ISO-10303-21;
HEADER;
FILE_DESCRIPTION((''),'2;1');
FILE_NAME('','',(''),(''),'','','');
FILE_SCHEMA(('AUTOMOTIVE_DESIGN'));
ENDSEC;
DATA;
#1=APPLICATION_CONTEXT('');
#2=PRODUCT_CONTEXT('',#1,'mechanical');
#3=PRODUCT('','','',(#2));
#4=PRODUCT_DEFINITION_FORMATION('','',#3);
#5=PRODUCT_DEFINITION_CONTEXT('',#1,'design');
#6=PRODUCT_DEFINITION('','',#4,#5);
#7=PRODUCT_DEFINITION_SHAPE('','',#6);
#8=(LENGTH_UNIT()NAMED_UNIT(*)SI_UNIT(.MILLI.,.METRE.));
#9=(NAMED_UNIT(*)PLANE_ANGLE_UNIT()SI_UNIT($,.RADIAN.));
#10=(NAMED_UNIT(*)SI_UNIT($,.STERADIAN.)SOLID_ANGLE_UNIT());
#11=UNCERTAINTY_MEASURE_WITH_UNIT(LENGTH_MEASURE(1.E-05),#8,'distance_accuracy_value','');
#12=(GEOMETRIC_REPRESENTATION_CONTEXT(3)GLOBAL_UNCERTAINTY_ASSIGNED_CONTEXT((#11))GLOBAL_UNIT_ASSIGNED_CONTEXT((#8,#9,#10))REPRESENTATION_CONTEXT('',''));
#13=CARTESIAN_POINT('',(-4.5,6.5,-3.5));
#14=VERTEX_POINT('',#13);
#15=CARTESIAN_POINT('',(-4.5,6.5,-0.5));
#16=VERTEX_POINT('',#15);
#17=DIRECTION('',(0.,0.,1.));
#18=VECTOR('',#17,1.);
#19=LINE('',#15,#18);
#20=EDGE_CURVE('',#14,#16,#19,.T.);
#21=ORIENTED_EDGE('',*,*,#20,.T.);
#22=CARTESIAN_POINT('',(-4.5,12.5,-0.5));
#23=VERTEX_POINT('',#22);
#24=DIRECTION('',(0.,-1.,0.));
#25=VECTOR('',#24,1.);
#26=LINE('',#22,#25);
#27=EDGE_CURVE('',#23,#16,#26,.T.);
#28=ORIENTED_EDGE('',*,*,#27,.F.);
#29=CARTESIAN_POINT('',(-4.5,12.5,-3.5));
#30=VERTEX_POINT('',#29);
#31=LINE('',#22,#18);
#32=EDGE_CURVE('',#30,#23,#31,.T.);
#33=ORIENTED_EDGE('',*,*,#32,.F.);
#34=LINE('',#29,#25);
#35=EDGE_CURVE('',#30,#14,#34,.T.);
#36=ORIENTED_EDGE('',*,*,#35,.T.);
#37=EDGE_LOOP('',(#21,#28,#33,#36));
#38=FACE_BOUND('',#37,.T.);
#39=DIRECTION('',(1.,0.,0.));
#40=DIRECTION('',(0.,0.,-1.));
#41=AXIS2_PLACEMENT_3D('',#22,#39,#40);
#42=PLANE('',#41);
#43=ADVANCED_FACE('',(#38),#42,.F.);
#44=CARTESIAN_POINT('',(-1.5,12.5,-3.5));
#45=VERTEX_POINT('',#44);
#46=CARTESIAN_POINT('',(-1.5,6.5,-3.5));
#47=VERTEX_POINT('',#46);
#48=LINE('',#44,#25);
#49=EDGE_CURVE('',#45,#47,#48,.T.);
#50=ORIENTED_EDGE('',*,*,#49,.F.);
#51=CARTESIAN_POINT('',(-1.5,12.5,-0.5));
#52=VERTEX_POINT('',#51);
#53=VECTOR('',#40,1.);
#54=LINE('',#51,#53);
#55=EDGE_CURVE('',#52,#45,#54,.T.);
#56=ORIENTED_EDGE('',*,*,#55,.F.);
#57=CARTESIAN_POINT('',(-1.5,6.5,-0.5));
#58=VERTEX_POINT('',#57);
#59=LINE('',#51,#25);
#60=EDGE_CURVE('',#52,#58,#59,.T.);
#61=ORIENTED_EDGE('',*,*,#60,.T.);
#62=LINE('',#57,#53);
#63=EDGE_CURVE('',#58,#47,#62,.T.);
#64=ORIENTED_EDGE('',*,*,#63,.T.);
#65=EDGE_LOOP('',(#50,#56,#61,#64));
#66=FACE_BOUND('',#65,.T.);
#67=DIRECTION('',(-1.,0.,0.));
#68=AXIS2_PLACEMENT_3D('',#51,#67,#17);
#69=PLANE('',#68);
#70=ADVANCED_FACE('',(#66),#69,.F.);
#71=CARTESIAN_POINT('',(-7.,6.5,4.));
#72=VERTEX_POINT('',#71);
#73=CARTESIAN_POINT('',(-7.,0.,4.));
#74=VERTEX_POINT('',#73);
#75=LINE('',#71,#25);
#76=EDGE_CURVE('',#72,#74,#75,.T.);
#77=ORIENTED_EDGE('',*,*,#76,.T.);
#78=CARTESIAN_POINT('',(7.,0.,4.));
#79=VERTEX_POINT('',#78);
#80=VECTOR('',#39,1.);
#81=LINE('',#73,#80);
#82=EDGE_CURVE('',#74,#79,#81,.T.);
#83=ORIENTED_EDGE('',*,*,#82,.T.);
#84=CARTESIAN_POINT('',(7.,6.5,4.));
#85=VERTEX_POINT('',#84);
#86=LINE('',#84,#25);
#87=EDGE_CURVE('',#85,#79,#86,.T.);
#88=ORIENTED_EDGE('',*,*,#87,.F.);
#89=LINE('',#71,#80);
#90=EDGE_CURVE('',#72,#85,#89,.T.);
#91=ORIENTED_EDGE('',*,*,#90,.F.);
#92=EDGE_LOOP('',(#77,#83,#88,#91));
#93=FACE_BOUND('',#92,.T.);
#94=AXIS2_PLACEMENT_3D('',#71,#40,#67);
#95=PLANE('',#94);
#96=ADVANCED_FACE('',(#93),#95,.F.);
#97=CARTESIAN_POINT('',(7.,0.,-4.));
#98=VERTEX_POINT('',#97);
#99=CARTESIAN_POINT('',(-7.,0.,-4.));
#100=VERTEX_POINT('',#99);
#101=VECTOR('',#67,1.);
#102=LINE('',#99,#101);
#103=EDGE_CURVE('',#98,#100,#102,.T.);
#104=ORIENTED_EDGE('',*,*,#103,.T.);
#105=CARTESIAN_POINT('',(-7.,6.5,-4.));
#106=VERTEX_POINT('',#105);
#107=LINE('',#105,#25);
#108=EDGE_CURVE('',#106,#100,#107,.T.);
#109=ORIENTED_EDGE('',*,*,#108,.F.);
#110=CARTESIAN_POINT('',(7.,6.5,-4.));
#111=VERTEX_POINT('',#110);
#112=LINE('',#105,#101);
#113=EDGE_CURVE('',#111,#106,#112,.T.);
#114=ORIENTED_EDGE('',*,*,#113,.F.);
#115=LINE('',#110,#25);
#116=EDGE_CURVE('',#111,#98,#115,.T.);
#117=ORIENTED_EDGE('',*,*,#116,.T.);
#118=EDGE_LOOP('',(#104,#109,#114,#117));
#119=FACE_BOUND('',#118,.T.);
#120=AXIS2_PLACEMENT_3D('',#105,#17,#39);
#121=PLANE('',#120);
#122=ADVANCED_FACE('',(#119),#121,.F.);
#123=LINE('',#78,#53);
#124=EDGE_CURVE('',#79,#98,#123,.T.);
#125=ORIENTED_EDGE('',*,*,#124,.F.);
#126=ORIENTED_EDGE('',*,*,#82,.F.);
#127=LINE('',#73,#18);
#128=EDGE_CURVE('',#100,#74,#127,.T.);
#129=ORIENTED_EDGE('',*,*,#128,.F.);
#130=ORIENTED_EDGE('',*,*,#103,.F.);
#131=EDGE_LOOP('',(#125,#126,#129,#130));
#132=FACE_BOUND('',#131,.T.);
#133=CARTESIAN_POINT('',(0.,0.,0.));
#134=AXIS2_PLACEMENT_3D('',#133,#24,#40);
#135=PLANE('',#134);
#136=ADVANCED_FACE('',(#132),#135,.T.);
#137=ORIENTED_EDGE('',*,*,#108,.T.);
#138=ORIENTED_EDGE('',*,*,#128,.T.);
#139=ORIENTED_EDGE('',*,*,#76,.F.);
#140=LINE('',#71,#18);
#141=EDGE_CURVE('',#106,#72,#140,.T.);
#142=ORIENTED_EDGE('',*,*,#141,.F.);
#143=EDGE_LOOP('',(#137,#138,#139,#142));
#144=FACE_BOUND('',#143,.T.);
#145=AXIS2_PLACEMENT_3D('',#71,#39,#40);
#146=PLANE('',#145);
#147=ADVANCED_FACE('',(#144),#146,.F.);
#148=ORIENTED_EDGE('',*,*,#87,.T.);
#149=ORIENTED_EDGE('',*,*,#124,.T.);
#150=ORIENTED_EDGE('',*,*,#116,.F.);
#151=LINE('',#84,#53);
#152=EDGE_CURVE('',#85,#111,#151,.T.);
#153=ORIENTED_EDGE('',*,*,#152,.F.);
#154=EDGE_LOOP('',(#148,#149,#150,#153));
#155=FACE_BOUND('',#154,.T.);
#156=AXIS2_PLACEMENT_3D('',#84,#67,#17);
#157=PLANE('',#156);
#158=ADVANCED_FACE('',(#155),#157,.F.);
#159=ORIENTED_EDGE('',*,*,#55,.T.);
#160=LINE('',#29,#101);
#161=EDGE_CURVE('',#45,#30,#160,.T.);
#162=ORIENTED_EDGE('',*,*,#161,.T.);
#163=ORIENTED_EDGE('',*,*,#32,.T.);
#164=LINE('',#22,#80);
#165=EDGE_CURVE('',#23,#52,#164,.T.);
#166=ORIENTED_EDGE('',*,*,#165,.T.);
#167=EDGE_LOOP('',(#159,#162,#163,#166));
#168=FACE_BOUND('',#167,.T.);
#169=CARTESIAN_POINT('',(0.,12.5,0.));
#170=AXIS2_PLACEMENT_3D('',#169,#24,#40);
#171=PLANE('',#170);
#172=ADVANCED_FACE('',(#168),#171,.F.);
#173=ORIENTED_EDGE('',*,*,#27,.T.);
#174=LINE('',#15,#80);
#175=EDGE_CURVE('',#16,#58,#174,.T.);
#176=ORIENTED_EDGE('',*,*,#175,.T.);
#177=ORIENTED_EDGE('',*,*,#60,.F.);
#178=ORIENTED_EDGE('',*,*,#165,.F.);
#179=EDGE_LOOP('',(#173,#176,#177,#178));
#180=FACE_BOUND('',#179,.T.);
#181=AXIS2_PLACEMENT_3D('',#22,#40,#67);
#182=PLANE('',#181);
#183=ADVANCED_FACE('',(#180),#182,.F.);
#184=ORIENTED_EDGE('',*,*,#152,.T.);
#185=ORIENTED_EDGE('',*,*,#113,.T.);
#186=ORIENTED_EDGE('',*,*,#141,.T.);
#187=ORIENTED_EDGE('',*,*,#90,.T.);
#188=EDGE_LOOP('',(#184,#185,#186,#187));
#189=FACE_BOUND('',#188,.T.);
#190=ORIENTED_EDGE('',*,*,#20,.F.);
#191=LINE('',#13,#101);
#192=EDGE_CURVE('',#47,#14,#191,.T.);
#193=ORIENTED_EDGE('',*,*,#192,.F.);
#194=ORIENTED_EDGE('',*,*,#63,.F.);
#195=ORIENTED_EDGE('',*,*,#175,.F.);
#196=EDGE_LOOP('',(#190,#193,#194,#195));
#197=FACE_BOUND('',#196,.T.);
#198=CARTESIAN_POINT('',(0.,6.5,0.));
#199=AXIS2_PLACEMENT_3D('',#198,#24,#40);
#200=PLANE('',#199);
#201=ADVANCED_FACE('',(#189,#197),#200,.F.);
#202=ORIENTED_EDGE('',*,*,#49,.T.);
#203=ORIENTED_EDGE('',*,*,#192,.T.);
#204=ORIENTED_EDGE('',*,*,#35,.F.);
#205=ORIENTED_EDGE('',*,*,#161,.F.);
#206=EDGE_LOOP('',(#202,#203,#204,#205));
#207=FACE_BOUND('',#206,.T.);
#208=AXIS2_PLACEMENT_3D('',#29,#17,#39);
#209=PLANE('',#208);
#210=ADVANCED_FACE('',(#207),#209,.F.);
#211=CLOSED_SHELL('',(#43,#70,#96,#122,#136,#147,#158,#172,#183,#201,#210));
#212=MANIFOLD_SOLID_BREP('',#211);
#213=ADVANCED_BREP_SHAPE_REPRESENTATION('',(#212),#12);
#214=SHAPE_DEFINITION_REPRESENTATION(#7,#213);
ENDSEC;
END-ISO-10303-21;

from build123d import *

# Parameters (mm, degrees)
SKETCH1_W           = 14
SKETCH1_H           = 8
BOSS_EXTRUDE1_DEPTH = 6.5
SKETCH2_W           = 3
SKETCH2_H           = 3
BOSS_EXTRUDE2_DEPTH = 6


with BuildPart() as part:
    # Sketch1 → Boss-Extrude1 (new body)
    with BuildSketch(Plane(origin=(0, 0, 0), x_dir=(1, 0, 0), z_dir=(0, 1, 0))):
        Rectangle(SKETCH1_W, SKETCH1_H)
    extrude(amount=BOSS_EXTRUDE1_DEPTH)

    # Sketch2 → Boss-Extrude2 (add)
    with BuildSketch(Plane(origin=(0, 6.5, 0), x_dir=(1, 0, 0), z_dir=(0, 1, 0))):
        with Locations((-3, 2)):
            Rectangle(SKETCH2_W, SKETCH2_H)
    extrude(amount=BOSS_EXTRUDE2_DEPTH)


solid = part.part
